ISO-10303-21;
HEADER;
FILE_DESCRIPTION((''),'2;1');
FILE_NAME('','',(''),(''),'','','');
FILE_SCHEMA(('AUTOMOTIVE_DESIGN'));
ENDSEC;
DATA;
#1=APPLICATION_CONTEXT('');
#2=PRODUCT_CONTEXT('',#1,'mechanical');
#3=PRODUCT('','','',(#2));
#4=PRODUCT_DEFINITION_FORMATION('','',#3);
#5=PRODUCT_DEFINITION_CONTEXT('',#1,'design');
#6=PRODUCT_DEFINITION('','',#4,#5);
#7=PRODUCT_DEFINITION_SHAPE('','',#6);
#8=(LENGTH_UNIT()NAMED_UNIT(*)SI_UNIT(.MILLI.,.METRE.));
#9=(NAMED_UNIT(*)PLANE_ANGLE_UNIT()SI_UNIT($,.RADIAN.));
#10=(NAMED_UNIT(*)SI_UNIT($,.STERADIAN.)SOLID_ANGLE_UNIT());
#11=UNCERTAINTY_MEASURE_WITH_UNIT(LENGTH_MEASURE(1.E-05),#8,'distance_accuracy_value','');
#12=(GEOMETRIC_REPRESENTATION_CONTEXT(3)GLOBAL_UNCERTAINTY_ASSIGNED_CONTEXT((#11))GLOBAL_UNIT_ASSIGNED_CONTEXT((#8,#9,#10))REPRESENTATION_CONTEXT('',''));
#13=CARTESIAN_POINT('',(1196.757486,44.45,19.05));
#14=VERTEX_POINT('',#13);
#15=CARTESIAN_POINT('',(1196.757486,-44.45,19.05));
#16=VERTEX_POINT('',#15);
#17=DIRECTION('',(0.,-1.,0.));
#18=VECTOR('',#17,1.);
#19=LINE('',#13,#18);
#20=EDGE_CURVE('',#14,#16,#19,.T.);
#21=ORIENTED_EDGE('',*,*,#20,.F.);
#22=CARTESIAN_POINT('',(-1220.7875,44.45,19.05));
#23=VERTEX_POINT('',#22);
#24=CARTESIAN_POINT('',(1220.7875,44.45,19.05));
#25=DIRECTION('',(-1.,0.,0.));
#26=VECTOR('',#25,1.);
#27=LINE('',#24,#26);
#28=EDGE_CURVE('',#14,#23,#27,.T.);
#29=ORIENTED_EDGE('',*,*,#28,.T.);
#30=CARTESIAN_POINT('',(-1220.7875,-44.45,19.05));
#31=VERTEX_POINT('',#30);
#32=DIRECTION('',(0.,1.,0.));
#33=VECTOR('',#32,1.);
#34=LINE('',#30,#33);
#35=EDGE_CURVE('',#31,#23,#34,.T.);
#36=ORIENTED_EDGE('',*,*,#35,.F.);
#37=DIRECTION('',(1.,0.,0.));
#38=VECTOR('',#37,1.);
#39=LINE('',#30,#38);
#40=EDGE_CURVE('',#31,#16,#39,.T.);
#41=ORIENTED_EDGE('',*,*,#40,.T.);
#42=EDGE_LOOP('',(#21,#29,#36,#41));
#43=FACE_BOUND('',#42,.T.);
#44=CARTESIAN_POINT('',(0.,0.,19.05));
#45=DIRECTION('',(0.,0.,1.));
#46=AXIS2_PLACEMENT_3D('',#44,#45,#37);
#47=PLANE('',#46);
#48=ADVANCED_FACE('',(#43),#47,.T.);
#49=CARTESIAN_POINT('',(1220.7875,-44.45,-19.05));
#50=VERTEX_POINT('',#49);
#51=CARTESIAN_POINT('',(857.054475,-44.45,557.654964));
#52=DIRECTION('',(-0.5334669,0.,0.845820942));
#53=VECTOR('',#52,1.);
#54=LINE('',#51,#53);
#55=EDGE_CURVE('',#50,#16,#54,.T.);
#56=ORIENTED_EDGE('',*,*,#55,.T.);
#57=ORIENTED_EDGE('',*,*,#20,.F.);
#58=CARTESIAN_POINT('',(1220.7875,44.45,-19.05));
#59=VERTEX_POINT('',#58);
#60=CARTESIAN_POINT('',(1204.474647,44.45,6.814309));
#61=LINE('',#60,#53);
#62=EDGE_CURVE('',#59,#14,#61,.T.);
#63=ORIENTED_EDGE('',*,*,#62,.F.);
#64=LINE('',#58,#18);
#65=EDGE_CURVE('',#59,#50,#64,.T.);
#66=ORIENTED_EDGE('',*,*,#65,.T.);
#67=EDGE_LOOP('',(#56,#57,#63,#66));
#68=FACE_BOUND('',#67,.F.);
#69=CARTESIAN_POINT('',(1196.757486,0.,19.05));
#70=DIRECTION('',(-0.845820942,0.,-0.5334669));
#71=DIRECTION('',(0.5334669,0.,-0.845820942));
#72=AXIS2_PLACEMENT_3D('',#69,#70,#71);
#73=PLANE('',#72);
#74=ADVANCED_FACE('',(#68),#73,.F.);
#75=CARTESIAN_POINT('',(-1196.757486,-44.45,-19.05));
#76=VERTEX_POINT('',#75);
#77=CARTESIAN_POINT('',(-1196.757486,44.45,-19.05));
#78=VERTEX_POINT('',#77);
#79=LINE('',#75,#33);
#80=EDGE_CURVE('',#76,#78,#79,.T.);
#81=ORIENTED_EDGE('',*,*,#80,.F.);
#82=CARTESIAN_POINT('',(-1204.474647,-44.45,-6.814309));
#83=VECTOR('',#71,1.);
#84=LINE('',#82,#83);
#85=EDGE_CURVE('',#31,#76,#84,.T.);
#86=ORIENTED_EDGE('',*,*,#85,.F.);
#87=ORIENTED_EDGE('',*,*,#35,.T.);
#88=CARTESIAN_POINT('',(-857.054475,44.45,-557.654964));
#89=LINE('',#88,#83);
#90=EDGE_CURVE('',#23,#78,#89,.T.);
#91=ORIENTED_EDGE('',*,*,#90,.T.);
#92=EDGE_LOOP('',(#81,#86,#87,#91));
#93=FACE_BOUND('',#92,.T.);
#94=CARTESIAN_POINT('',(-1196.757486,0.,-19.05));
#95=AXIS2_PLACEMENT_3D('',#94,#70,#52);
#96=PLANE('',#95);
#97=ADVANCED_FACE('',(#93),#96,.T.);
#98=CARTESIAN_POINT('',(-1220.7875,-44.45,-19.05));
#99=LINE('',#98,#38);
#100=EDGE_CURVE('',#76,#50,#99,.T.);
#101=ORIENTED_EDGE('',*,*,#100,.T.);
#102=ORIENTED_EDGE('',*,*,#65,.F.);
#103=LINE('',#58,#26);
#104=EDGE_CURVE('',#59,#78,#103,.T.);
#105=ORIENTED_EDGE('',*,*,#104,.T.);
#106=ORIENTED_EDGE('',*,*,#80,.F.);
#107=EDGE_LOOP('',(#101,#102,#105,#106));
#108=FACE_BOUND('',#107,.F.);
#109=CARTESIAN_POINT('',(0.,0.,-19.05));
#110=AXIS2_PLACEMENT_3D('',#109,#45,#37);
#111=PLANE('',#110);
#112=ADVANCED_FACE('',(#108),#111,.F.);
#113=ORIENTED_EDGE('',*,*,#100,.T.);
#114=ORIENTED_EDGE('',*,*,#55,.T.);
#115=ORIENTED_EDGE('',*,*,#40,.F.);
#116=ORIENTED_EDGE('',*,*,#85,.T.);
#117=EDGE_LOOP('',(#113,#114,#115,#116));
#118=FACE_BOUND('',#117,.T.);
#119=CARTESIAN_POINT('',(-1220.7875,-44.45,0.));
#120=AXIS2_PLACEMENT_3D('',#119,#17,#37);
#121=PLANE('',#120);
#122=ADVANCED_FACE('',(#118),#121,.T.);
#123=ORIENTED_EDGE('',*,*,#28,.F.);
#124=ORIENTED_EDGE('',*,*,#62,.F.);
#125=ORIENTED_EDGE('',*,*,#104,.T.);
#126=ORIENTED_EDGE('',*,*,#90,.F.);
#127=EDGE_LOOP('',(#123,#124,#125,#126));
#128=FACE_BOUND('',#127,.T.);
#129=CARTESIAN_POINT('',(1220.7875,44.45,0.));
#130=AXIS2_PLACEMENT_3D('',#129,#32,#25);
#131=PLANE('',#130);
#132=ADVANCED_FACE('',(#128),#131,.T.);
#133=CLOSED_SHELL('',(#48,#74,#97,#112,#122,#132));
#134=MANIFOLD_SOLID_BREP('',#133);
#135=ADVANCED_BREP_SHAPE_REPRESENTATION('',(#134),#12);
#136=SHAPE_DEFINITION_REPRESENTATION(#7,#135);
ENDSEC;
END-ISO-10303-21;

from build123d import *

# Parameters (mm, degrees)
F1_DEPTH      = 19.05
F3_DEPTH      = 44.451
F3_DEPTH_BACK = 44.451


with BuildPart() as f1:
    # F0 (on Top) → F1 (new body, symmetric)
    with BuildSketch(Plane.XY):
        Polygon((1220.7875, -44.45), (1220.7875, 44.45), (69.3424678135, 44.45), (-1220.7875, 44.45), (-1220.7875, -44.45), (-1164.7174678135, -44.45), align=None)
    extrude(amount=F1_DEPTH, both=True)

    # F2 (on Front) → F3 (cut, two sides)
    with BuildSketch(Plane.XZ) as f3_sk:
        Polygon((1196.7574862058, 19.05), (1220.7875, -19.05), (1220.7875, 19.05), align=None)
        Polygon((-1220.7875, -19.05), (-1196.7574862058, -19.05), (-1220.7875, 19.05), align=None)
    extrude(amount=-F3_DEPTH, mode=Mode.SUBTRACT)
    extrude(f3_sk.sketch, amount=F3_DEPTH_BACK, mode=Mode.SUBTRACT)


solid = f1.part
